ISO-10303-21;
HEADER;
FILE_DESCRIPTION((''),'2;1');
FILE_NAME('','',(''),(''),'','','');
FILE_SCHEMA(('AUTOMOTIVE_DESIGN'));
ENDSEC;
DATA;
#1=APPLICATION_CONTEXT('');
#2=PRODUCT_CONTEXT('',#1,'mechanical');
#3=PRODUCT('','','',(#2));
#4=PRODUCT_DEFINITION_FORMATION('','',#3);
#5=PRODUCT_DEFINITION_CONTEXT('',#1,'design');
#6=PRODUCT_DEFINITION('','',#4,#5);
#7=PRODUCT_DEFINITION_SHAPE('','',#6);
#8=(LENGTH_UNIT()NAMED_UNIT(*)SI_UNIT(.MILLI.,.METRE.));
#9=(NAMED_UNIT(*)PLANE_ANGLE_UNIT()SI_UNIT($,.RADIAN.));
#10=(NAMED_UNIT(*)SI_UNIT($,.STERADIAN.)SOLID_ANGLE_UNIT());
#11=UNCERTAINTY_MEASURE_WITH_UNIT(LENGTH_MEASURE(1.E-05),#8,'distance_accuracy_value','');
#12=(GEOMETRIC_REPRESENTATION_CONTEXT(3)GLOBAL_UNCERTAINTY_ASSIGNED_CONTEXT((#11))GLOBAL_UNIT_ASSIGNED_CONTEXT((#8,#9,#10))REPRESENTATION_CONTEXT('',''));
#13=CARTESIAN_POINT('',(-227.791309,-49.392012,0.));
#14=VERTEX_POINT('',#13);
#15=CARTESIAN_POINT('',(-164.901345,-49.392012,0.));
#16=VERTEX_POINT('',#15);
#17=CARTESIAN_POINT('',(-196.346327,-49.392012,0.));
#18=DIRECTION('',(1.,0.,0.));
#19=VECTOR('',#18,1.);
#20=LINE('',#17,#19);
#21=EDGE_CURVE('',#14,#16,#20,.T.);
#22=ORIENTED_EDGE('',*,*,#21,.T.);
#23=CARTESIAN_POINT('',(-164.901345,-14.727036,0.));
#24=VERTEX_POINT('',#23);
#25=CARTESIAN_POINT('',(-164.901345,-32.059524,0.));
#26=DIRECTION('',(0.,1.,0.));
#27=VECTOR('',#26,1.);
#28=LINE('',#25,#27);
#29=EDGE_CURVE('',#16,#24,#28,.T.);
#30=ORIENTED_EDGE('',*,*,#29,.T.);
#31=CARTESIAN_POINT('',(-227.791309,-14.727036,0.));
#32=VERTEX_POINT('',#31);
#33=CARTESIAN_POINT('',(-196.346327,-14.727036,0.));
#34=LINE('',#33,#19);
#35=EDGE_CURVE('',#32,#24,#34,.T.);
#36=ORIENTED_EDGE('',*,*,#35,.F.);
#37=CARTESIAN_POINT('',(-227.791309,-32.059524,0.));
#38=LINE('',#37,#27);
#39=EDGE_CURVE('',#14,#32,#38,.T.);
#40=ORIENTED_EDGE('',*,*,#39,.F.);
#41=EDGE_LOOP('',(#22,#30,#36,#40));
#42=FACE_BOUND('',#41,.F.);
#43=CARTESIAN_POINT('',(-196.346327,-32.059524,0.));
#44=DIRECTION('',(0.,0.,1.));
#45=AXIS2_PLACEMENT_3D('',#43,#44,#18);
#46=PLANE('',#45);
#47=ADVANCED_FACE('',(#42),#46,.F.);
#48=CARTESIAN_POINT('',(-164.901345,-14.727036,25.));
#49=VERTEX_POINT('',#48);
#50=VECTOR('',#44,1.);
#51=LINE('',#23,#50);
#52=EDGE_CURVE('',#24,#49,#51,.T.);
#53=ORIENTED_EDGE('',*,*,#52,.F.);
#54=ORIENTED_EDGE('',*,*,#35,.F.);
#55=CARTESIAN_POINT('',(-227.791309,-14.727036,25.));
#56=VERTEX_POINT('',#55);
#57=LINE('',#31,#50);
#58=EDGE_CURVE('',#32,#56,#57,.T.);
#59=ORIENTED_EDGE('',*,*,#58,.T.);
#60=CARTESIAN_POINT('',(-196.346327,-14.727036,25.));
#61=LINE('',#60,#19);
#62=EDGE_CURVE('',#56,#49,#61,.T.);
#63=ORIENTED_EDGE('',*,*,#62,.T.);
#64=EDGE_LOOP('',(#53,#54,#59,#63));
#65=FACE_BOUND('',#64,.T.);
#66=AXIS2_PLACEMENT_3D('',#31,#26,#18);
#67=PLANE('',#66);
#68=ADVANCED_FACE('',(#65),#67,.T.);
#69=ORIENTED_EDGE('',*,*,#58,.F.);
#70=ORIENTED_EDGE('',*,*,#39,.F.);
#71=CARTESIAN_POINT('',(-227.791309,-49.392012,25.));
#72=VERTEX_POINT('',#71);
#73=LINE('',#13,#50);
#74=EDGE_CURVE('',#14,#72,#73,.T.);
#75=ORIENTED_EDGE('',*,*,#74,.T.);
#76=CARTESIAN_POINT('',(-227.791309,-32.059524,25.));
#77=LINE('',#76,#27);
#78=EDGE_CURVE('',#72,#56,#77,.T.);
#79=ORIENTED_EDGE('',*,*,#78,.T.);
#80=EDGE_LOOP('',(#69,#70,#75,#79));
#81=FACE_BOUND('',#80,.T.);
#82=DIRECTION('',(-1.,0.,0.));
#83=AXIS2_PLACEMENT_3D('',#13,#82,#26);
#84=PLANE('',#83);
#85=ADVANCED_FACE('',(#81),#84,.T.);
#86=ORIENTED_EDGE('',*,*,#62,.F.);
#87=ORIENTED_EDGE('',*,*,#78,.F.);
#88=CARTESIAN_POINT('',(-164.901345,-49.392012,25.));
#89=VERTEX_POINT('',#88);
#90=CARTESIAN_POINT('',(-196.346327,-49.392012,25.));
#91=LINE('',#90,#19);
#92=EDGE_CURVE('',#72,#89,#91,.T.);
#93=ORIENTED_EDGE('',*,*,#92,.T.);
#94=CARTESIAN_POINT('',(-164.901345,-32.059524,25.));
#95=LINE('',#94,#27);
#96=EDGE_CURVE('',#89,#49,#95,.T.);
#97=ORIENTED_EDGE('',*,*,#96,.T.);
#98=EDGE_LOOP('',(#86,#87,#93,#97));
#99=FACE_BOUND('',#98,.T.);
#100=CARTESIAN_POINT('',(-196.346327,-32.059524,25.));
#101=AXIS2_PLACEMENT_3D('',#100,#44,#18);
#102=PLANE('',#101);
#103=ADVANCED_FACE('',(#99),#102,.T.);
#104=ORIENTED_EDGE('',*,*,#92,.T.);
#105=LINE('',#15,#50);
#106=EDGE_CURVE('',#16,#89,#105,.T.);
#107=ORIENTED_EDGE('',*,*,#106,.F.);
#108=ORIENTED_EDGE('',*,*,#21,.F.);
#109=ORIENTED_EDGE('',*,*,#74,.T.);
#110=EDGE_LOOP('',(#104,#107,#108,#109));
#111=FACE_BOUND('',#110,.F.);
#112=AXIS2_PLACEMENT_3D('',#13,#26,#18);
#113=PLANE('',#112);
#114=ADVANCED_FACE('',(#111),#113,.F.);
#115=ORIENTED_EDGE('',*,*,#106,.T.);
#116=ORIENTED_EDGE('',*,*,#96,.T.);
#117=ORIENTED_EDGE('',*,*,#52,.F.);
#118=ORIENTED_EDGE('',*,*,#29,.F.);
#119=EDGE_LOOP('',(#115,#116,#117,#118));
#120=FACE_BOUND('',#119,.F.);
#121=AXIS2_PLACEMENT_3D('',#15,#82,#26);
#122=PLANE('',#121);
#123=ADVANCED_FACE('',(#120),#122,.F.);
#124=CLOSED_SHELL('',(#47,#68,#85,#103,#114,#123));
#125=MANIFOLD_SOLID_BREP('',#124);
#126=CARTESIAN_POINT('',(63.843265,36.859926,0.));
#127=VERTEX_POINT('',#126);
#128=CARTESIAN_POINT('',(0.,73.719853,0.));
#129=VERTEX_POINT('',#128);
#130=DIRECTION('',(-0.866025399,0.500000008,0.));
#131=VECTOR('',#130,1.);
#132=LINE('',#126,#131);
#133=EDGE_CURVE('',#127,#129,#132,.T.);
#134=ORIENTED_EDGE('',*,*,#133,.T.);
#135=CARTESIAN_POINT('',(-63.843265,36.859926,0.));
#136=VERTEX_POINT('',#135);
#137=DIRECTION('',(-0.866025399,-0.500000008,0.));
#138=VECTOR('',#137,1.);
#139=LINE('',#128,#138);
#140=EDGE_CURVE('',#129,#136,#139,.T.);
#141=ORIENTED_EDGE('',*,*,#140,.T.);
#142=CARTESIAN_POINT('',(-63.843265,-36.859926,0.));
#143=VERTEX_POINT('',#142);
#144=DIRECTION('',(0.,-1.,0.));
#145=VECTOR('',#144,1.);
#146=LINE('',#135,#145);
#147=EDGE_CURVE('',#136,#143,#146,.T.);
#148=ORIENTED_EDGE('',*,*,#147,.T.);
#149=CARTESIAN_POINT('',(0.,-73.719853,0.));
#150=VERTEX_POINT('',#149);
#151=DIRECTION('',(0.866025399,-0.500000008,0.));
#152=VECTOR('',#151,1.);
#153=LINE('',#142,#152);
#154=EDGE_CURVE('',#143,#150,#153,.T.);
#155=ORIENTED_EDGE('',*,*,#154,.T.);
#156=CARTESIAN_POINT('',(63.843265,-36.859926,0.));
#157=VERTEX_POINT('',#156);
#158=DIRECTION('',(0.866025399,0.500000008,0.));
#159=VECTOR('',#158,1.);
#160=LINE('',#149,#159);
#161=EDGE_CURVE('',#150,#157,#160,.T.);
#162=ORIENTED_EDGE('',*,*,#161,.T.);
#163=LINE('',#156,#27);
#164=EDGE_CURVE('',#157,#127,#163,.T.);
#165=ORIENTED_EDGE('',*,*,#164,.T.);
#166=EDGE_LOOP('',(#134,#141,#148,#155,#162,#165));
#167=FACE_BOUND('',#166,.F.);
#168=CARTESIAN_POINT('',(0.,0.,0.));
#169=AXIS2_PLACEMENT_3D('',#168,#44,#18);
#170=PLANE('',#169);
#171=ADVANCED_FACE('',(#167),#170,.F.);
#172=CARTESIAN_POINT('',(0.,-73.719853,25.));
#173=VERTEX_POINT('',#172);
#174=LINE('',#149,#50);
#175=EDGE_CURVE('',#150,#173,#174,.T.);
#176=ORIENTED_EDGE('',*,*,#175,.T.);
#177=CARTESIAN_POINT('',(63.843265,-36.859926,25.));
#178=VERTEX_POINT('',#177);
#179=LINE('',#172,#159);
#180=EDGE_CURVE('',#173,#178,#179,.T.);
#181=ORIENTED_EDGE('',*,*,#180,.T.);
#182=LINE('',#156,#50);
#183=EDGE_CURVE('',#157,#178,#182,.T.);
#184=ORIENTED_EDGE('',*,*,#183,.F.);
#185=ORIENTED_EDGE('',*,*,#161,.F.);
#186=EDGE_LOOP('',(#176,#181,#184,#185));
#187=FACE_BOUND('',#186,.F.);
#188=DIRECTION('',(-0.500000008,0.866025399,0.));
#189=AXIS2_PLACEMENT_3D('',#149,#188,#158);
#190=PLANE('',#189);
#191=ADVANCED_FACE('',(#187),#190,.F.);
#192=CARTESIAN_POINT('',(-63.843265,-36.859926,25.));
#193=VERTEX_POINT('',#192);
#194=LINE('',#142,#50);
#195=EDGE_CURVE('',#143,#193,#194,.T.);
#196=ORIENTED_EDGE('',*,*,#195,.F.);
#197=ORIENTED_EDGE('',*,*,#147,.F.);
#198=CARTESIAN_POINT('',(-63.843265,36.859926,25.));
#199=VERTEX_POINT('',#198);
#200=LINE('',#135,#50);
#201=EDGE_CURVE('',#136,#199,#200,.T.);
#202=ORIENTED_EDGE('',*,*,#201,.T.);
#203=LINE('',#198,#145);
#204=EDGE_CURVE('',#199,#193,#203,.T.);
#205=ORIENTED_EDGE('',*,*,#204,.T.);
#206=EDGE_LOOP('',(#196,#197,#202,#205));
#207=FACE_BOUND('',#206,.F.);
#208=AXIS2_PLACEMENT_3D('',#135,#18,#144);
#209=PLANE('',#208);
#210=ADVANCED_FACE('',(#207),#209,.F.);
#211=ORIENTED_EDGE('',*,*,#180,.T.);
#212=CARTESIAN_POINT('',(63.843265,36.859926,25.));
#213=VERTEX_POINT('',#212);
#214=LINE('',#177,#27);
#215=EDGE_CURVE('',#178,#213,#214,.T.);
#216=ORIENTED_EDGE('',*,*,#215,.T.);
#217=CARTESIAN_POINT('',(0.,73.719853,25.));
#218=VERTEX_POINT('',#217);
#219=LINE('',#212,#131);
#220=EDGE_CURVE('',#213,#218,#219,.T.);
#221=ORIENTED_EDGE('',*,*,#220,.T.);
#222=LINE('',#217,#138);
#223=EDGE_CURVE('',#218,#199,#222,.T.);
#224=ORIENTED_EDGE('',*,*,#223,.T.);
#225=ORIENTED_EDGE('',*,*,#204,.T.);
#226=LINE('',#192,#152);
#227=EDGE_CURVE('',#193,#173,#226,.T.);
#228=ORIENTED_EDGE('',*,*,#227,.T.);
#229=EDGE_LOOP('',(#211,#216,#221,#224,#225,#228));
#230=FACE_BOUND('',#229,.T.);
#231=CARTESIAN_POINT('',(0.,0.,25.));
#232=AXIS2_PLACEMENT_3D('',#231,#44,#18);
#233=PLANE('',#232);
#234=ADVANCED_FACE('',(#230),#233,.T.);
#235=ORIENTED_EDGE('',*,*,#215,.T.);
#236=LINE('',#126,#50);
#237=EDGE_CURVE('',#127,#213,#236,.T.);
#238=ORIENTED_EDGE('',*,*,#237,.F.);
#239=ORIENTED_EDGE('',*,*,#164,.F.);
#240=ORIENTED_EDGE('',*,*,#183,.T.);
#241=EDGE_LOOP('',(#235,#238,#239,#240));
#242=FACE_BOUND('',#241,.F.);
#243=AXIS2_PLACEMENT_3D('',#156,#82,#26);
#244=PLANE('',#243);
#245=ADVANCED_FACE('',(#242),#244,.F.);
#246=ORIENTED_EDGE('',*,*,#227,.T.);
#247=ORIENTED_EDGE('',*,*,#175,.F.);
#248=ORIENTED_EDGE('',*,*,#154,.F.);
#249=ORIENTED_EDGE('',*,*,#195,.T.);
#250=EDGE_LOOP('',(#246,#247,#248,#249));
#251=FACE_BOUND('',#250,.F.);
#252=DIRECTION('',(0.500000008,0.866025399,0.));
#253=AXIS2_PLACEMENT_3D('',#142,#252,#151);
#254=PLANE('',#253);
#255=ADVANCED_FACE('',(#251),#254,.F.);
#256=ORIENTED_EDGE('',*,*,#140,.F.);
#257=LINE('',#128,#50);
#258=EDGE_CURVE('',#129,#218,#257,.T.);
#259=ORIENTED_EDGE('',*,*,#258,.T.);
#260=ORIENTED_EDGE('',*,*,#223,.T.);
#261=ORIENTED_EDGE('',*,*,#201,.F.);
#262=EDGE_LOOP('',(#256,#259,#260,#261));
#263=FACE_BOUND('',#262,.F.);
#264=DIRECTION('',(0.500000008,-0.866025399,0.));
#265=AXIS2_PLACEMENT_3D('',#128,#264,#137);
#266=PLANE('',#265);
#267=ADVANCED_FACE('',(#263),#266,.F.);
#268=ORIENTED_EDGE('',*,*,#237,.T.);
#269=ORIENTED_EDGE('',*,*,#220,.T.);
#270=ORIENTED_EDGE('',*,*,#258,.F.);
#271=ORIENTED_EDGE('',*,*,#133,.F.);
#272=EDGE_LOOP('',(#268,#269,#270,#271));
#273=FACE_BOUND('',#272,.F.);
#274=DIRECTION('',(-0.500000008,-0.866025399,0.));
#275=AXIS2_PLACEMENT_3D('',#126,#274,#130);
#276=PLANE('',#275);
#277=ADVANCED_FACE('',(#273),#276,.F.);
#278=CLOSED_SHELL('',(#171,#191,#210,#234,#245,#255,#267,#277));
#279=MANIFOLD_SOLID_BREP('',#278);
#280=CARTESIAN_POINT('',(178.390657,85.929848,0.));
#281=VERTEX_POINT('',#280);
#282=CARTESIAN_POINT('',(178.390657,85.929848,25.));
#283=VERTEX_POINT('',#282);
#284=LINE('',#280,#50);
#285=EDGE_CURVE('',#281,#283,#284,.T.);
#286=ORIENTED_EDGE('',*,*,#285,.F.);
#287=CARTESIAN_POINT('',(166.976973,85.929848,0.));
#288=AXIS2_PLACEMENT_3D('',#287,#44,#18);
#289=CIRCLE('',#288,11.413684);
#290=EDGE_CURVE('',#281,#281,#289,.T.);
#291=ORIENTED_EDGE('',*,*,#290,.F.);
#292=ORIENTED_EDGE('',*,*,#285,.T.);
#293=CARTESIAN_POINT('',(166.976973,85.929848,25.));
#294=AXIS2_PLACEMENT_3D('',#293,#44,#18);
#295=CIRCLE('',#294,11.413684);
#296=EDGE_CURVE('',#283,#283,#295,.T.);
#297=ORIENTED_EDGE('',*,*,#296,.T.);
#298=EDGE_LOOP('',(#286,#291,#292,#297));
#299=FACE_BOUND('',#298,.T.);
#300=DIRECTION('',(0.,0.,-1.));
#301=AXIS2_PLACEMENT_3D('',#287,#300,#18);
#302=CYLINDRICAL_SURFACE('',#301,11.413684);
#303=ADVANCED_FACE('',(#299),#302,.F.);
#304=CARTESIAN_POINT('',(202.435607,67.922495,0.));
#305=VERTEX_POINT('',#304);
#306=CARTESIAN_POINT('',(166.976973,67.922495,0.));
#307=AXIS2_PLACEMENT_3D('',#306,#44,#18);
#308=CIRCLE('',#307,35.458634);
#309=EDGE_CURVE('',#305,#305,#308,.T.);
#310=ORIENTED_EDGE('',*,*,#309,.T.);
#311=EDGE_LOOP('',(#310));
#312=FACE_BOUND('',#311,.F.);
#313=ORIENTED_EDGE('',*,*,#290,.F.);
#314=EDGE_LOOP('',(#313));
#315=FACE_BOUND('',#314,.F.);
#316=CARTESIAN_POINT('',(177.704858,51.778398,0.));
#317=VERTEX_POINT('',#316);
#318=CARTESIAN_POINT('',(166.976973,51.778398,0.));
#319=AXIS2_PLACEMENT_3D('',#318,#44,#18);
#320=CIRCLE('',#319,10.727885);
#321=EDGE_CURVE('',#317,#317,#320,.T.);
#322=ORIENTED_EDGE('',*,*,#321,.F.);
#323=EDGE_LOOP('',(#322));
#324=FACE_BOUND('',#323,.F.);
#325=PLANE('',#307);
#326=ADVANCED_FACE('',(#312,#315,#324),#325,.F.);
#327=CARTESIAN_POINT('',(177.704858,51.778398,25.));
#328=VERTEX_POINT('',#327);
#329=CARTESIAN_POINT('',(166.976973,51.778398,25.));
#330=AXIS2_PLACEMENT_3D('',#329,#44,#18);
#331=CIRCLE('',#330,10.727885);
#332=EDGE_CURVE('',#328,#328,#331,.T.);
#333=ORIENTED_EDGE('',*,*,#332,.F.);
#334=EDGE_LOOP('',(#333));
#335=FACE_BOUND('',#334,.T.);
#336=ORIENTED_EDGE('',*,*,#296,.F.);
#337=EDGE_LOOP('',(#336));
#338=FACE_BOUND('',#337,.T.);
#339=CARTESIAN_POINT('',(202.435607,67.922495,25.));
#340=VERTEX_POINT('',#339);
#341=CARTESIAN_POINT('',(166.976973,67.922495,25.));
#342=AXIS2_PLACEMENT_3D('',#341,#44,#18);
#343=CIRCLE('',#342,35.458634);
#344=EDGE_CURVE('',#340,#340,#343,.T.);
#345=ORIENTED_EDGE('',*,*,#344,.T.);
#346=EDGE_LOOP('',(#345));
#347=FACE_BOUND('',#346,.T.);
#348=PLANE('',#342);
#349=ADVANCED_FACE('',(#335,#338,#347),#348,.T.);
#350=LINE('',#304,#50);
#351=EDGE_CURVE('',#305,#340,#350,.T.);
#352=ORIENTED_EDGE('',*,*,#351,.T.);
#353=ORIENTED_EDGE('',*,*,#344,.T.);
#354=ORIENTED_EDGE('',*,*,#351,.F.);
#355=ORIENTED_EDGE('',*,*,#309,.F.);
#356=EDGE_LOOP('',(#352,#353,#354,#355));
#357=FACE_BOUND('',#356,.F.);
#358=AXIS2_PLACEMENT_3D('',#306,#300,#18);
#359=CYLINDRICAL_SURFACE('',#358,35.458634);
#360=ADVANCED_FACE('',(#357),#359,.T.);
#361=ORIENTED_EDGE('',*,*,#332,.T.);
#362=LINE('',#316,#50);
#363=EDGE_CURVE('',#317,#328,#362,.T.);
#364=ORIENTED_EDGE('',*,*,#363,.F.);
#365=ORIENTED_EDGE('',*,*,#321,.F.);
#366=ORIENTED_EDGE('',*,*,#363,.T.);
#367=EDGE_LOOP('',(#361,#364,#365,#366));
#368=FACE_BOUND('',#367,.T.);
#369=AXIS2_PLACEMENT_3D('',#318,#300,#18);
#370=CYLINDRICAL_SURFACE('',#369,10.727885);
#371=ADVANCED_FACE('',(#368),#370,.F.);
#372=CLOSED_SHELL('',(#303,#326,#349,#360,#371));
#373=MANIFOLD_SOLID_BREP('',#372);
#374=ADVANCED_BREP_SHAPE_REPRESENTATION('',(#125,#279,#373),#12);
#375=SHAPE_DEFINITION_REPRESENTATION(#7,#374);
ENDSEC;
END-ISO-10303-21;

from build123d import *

# Parameters (mm, degrees)
F1_DEPTH = 25
F2_R     = 35.458634
F2_R_2   = 10.727885
F2_R_3   = 11.413684
F3_DEPTH = 25
F4_W     = 62.889963
F4_H     = 34.664976
F5_DEPTH = 25


with BuildPart() as f1:
    # F0 (on Top) → F1 (new body)
    with BuildSketch(Plane.XY):
        Polygon((63.843265, -36.859926), (63.843265, 36.859926), (0, 73.719853), (-63.843265, 36.859926), (-63.843265, -36.859926), (0, -73.719853), align=None)
    extrude(amount=F1_DEPTH)


with BuildPart() as f3:
    # F2 (on Top) → F3 (new body)
    with BuildSketch(Plane.XY):
        with Locations((166.976973, 67.922495)):
            Circle(F2_R)
        with Locations((166.976973, 51.778398)):
            Circle(F2_R_2, mode=Mode.SUBTRACT)
        with Locations((166.976973, 85.929848)):
            Circle(F2_R_3, mode=Mode.SUBTRACT)
    extrude(amount=F3_DEPTH)


with BuildPart() as f5:
    # F4 (on Top) → F5 (new body)
    with BuildSketch(Plane.XY):
        with Locations((-196.346327, -32.059524)):
            Rectangle(F4_W, F4_H)
    extrude(amount=F5_DEPTH)


solid = Compound([f1.part, f3.part, f5.part])
